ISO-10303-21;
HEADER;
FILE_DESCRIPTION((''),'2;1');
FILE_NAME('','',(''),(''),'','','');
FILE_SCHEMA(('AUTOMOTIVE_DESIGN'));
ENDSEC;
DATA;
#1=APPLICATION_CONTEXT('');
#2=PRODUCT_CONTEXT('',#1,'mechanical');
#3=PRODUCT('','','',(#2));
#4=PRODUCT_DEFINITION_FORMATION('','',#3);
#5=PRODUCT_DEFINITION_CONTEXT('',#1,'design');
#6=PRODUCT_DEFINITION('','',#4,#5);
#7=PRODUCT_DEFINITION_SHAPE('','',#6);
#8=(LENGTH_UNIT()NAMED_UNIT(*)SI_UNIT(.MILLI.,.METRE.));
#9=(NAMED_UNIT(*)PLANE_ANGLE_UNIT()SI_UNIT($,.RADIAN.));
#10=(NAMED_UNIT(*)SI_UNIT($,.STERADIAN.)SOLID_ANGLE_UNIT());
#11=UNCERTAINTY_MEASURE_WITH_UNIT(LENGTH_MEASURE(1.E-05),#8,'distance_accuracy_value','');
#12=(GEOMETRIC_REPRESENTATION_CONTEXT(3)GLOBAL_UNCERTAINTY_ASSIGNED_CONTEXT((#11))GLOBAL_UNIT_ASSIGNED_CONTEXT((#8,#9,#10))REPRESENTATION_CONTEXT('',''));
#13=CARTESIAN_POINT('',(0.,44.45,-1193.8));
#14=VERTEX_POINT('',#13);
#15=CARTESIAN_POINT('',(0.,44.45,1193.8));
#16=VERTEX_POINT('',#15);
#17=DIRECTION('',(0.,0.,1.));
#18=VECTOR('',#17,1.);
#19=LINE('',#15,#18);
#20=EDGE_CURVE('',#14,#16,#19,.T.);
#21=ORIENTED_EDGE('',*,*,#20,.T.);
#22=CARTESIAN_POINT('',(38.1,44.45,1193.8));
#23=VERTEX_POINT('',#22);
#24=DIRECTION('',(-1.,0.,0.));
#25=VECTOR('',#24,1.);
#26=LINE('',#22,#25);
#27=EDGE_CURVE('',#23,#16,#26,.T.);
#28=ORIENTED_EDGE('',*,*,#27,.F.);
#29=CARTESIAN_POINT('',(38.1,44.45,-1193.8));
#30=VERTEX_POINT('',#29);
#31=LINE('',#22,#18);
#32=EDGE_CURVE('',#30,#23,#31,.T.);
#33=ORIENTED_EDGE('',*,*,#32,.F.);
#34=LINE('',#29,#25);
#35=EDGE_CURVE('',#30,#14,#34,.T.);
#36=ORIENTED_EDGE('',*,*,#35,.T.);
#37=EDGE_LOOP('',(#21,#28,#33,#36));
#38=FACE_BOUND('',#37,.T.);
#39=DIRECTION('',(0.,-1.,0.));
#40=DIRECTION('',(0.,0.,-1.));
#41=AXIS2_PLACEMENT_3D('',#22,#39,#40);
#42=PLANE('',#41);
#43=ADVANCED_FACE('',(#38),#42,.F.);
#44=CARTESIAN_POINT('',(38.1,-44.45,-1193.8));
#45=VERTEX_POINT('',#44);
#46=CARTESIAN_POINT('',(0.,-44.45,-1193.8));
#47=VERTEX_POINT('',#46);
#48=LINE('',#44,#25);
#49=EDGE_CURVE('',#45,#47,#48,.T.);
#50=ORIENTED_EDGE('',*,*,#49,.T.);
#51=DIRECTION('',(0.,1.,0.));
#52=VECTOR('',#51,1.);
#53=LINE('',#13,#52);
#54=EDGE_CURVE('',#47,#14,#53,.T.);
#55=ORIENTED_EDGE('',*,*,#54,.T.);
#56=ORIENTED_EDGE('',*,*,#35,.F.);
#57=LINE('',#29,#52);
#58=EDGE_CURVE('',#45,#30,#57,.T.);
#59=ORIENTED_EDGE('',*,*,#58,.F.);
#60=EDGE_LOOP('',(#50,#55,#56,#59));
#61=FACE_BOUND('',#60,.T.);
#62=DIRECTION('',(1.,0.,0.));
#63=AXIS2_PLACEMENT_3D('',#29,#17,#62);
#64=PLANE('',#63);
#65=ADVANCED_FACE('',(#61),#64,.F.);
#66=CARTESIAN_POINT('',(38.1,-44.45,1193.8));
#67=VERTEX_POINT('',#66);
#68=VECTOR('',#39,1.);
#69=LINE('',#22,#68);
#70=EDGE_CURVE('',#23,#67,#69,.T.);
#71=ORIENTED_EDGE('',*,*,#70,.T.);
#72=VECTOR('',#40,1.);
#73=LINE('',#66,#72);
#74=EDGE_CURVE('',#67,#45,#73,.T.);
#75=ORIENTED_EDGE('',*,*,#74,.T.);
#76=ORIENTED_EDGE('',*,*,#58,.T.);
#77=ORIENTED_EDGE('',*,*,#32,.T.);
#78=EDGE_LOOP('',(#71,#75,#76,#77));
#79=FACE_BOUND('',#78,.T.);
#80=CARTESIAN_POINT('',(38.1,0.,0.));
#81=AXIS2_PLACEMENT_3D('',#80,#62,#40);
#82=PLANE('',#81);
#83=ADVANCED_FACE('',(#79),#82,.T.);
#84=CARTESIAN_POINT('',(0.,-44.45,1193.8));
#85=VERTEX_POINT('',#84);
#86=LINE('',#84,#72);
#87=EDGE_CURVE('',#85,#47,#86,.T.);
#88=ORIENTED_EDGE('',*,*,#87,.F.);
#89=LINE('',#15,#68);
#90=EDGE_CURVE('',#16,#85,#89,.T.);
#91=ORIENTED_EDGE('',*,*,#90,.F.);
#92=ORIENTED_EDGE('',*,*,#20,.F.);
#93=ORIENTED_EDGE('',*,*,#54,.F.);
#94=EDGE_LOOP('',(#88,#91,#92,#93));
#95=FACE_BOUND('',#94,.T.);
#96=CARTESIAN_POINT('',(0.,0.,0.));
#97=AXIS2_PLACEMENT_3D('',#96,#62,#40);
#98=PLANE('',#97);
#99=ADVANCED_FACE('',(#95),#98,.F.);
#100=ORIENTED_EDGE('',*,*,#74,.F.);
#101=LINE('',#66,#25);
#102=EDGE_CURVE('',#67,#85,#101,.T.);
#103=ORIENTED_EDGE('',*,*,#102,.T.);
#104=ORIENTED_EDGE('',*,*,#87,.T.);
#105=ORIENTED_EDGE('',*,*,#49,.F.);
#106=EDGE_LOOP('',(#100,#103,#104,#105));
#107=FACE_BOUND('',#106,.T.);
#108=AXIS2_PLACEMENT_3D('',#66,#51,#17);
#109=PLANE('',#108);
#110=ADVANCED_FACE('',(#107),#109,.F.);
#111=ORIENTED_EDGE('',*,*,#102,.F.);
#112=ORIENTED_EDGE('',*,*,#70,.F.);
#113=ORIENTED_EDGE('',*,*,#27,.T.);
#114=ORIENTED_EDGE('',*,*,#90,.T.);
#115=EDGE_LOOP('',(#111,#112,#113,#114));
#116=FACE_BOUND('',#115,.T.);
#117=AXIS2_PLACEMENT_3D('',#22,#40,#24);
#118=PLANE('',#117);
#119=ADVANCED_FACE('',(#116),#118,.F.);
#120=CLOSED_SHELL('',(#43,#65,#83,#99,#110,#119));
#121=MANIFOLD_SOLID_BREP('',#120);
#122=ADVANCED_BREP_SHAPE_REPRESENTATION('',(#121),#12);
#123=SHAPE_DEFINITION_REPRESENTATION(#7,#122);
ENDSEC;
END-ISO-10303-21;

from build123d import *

# Parameters (mm, degrees)
SKETCH1_W           = 2387.6
SKETCH1_H           = 88.9
BOSS_EXTRUDE1_DEPTH = 38.1


with BuildPart() as part:
    # Sketch1 → Boss-Extrude1 (new body)
    with BuildSketch(Plane(origin=(0, 0, 0), x_dir=(0, 0, -1), z_dir=(1, 0, 0))):
        Rectangle(SKETCH1_W, SKETCH1_H)
    extrude(amount=BOSS_EXTRUDE1_DEPTH)


solid = part.part
